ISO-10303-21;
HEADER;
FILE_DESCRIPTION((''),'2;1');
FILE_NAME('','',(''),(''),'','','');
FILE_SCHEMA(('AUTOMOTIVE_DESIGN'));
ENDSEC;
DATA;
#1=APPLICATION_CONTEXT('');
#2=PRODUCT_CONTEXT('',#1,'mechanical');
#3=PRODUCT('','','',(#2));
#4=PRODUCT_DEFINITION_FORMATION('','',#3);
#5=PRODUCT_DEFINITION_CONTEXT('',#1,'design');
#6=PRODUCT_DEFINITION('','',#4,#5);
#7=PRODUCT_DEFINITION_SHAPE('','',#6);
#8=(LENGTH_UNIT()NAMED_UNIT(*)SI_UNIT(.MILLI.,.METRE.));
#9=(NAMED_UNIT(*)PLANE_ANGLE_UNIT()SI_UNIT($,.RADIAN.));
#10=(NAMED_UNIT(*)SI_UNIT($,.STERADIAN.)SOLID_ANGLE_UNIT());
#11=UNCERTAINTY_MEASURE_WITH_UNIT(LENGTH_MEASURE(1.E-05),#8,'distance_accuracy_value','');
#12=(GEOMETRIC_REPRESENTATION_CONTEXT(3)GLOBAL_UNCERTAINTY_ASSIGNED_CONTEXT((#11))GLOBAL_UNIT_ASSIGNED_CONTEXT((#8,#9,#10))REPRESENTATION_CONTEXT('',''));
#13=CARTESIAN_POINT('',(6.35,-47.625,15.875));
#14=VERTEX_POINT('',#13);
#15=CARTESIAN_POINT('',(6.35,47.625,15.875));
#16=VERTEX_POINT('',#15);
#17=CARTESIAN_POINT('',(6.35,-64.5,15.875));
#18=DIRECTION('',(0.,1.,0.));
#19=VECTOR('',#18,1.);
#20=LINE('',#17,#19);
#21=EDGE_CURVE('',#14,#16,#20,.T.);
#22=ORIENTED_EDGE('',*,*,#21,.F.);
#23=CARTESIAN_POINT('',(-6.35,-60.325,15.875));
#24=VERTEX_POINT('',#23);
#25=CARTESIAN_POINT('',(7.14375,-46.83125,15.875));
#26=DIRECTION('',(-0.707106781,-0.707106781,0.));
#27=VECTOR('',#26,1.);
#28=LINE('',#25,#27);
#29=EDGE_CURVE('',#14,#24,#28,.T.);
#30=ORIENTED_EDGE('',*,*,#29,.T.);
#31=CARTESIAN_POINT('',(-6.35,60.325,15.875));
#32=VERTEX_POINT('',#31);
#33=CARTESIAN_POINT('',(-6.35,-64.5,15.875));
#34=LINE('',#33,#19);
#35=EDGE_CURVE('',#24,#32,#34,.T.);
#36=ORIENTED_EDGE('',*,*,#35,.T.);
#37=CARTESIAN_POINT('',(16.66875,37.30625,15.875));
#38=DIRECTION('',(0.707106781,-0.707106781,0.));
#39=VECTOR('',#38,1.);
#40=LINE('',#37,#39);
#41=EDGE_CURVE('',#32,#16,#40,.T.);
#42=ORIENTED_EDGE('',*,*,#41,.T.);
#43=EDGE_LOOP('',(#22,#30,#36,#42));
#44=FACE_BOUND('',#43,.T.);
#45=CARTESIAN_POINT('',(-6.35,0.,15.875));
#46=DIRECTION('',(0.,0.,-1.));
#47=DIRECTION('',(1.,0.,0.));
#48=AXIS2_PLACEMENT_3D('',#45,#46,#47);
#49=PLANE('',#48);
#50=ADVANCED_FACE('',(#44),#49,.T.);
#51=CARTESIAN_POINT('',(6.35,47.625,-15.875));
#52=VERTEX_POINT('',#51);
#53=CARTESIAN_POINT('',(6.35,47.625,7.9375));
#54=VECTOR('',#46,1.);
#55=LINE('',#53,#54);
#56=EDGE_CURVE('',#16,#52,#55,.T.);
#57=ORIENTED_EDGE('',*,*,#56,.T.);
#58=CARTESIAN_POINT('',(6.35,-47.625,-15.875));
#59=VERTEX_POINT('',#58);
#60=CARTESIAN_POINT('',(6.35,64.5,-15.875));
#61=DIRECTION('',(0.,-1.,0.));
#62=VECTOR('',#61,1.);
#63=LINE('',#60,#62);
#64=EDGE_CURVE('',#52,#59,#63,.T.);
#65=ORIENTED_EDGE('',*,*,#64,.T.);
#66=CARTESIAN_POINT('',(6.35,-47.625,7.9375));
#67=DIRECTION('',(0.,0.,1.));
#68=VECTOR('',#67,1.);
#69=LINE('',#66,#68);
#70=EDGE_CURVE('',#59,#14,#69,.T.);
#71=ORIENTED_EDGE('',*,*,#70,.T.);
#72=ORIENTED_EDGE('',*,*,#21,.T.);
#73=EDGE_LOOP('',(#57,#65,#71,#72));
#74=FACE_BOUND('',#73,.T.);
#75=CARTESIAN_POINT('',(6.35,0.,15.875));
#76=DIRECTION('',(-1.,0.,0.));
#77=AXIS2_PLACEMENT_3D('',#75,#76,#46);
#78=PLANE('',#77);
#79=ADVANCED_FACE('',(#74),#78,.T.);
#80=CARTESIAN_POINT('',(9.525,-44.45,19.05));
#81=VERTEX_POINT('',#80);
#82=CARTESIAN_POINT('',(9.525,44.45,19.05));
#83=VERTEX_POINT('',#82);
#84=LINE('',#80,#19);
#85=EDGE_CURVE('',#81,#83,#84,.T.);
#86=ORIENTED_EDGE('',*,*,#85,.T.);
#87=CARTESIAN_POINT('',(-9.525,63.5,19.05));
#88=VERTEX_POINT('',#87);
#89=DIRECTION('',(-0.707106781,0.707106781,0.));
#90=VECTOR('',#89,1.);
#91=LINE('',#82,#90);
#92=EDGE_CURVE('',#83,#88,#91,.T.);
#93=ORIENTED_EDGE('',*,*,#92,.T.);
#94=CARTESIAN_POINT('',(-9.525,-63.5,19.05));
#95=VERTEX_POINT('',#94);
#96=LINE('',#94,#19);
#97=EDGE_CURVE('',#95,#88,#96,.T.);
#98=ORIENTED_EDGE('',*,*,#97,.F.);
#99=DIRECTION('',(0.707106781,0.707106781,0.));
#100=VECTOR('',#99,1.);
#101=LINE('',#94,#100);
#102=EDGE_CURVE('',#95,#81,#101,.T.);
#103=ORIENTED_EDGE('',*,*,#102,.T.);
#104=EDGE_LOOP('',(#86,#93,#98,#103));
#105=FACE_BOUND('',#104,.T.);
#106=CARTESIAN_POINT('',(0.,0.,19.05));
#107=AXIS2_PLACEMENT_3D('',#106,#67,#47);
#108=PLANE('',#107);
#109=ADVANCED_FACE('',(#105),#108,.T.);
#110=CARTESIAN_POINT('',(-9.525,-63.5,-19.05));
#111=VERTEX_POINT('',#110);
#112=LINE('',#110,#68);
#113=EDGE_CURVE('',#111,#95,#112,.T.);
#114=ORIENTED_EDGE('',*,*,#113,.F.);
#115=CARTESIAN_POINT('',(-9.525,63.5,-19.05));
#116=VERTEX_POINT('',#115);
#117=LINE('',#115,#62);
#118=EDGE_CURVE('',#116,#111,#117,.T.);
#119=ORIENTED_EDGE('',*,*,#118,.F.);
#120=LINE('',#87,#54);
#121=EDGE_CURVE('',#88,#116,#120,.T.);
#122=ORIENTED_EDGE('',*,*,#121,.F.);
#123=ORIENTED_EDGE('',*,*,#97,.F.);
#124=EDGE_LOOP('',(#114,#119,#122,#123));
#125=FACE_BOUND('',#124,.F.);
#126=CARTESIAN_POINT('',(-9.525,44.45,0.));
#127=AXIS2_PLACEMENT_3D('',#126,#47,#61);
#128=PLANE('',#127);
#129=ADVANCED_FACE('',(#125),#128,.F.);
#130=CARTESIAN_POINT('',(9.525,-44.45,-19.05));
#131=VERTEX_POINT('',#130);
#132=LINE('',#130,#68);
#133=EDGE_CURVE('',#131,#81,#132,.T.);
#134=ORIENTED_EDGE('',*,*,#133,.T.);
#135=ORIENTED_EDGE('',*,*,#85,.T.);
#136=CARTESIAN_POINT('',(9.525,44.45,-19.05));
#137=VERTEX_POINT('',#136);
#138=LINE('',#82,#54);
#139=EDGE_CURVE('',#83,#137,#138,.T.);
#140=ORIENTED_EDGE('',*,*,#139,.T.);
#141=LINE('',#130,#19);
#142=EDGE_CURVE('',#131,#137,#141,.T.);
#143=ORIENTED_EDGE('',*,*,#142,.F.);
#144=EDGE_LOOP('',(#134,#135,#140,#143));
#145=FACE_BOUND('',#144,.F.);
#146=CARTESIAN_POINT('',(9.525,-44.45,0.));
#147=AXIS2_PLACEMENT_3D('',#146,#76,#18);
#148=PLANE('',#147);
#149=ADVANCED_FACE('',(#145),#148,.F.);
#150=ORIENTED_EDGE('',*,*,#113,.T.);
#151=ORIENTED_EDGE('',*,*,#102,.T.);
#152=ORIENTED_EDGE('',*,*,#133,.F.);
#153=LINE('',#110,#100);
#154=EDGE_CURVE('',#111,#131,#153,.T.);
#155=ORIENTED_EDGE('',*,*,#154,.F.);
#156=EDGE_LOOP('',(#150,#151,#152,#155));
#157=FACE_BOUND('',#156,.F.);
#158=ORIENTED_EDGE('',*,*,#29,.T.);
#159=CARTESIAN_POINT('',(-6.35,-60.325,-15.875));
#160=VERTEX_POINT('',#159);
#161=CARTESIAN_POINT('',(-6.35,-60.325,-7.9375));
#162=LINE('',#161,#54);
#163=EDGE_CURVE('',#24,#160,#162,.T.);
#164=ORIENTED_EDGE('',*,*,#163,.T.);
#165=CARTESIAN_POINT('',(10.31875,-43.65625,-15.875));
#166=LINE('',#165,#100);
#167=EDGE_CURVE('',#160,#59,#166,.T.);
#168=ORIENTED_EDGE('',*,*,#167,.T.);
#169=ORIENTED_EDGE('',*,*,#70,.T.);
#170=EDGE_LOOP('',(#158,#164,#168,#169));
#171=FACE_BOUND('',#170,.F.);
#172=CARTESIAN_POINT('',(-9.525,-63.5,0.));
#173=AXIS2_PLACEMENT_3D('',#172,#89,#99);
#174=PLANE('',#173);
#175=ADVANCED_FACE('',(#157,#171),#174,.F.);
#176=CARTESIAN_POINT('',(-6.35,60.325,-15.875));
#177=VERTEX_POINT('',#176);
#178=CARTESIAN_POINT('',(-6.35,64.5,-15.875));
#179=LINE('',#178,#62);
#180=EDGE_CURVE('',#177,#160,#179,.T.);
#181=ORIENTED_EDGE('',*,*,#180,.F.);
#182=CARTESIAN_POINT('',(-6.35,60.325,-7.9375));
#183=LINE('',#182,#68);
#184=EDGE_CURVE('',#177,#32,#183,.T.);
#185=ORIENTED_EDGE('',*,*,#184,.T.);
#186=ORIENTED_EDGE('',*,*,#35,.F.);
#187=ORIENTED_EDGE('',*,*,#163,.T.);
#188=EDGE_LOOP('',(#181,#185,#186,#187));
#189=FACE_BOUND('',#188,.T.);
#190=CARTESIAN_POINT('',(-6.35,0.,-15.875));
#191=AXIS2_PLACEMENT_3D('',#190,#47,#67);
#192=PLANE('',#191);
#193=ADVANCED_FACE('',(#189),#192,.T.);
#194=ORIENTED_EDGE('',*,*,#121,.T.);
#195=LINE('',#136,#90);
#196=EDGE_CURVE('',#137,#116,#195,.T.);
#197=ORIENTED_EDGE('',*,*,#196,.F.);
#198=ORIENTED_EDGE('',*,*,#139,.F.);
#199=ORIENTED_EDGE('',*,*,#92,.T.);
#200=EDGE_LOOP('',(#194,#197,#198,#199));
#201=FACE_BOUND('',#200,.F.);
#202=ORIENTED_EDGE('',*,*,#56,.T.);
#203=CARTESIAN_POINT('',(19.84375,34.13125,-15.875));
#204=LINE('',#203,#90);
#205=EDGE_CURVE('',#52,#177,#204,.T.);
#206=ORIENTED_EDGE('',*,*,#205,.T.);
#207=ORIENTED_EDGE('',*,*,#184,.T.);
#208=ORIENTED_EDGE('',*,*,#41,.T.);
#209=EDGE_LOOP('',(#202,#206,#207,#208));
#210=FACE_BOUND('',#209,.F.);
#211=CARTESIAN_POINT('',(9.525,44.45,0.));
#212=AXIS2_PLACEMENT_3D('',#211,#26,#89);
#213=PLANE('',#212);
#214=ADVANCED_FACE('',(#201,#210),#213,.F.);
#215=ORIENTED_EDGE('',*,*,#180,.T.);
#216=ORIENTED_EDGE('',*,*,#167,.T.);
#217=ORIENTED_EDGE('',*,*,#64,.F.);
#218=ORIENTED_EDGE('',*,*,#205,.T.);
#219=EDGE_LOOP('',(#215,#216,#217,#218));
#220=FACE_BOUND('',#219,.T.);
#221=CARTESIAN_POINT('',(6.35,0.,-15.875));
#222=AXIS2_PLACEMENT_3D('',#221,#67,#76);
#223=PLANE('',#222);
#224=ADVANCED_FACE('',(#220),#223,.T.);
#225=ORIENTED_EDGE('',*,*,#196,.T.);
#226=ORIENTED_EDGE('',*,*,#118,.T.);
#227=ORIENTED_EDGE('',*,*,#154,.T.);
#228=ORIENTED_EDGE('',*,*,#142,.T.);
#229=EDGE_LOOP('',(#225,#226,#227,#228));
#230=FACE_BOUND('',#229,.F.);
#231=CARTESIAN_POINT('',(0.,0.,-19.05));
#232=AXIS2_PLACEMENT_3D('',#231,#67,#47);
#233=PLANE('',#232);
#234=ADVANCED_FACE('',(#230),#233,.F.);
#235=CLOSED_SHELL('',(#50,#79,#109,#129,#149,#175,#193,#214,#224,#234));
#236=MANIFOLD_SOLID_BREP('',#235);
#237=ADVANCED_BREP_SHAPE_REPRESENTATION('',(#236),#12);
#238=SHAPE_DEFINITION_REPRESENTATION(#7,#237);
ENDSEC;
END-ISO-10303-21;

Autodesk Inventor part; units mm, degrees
ref_plane "YZ Plane" through (0, 0, 0) normal (1, 0, 0) x (0, 1, 0)
ref_plane "XZ Plane" through (0, 0, 0) normal (0, 1, 0) x (-1, 0, 0)
ref_plane "XY Plane" through (0, 0, 0) normal (0, 0, 1) x (1, 0, 0)
sketch "Sketch1" plane through (0, 0, 0) normal (0, 0, 1) x (1, 0, 0)
  line L0 (-9.525, -44.45) -> (9.525, -44.45)
  line L1 (9.525, -44.45) -> (9.525, 44.45)
  line L2 (9.525, 44.45) -> (-9.525, 44.45)
  line L3 (-9.525, 44.45) -> (-9.525, -44.45)
  line L4 (-9.525, -44.45) -> (9.525, 44.45) construction
  line L5 (9.525, -44.45) -> (-9.525, 44.45) construction
  line L6 (9.525, 44.45) -> (-9.525, 63.5)
  line L7 (-9.525, 63.5) -> (-9.525, 44.45)
  line L8 (-9.525, -44.45) -> (-9.525, -63.5)
  line L9 (-9.525, -63.5) -> (9.525, -44.45)
  point P0 (0, 0)
  dimension "d0" = 19.05
  dimension "d1" = 45
  dimension "d2" = 45
  dimension "d10" = 127
extrude "Extrusion1" add sketch "Sketch1" along normal mid plane 38.1
sketch "Sketch2" plane through (0, 0, 0) normal (0, 1, 0) x (-1, 0, 0)
  line L0 (6.35, 15.875) -> (-6.35, 15.875)
  line L1 (-6.35, 15.875) -> (-6.35, -15.875)
  line L2 (-6.35, -15.875) -> (6.35, -15.875)
  line L3 (6.35, -15.875) -> (6.35, 15.875)
  line L4 (6.35, 15.875) -> (-6.35, -15.875) construction
  line L5 (-6.35, 15.875) -> (6.35, -15.875) construction
  line L6 (-9.525, -19.05) -> (-9.525, 19.05) projected
  line L7 (-9.525, -19.05) -> (9.525, -19.05) projected
  point P0 (0, 0)
  dimension "d6" = 3.175
  dimension "d7" = 3.175
extrude "Extrusion2" cut sketch "Sketch2" along normal through all both and the other way through all
equation "\"d0\" = width"
equation "\"d10\" = length"
equation "\"d3\" = longSide"
equation "\"d8\" = longSide"
equation "\"width\" = 19.05"
equation "\"longSide\" = 38.1"
equation "\"length\" = 127"
properties part number "45dege0_75x1.50" material "Aluminum 6061"
